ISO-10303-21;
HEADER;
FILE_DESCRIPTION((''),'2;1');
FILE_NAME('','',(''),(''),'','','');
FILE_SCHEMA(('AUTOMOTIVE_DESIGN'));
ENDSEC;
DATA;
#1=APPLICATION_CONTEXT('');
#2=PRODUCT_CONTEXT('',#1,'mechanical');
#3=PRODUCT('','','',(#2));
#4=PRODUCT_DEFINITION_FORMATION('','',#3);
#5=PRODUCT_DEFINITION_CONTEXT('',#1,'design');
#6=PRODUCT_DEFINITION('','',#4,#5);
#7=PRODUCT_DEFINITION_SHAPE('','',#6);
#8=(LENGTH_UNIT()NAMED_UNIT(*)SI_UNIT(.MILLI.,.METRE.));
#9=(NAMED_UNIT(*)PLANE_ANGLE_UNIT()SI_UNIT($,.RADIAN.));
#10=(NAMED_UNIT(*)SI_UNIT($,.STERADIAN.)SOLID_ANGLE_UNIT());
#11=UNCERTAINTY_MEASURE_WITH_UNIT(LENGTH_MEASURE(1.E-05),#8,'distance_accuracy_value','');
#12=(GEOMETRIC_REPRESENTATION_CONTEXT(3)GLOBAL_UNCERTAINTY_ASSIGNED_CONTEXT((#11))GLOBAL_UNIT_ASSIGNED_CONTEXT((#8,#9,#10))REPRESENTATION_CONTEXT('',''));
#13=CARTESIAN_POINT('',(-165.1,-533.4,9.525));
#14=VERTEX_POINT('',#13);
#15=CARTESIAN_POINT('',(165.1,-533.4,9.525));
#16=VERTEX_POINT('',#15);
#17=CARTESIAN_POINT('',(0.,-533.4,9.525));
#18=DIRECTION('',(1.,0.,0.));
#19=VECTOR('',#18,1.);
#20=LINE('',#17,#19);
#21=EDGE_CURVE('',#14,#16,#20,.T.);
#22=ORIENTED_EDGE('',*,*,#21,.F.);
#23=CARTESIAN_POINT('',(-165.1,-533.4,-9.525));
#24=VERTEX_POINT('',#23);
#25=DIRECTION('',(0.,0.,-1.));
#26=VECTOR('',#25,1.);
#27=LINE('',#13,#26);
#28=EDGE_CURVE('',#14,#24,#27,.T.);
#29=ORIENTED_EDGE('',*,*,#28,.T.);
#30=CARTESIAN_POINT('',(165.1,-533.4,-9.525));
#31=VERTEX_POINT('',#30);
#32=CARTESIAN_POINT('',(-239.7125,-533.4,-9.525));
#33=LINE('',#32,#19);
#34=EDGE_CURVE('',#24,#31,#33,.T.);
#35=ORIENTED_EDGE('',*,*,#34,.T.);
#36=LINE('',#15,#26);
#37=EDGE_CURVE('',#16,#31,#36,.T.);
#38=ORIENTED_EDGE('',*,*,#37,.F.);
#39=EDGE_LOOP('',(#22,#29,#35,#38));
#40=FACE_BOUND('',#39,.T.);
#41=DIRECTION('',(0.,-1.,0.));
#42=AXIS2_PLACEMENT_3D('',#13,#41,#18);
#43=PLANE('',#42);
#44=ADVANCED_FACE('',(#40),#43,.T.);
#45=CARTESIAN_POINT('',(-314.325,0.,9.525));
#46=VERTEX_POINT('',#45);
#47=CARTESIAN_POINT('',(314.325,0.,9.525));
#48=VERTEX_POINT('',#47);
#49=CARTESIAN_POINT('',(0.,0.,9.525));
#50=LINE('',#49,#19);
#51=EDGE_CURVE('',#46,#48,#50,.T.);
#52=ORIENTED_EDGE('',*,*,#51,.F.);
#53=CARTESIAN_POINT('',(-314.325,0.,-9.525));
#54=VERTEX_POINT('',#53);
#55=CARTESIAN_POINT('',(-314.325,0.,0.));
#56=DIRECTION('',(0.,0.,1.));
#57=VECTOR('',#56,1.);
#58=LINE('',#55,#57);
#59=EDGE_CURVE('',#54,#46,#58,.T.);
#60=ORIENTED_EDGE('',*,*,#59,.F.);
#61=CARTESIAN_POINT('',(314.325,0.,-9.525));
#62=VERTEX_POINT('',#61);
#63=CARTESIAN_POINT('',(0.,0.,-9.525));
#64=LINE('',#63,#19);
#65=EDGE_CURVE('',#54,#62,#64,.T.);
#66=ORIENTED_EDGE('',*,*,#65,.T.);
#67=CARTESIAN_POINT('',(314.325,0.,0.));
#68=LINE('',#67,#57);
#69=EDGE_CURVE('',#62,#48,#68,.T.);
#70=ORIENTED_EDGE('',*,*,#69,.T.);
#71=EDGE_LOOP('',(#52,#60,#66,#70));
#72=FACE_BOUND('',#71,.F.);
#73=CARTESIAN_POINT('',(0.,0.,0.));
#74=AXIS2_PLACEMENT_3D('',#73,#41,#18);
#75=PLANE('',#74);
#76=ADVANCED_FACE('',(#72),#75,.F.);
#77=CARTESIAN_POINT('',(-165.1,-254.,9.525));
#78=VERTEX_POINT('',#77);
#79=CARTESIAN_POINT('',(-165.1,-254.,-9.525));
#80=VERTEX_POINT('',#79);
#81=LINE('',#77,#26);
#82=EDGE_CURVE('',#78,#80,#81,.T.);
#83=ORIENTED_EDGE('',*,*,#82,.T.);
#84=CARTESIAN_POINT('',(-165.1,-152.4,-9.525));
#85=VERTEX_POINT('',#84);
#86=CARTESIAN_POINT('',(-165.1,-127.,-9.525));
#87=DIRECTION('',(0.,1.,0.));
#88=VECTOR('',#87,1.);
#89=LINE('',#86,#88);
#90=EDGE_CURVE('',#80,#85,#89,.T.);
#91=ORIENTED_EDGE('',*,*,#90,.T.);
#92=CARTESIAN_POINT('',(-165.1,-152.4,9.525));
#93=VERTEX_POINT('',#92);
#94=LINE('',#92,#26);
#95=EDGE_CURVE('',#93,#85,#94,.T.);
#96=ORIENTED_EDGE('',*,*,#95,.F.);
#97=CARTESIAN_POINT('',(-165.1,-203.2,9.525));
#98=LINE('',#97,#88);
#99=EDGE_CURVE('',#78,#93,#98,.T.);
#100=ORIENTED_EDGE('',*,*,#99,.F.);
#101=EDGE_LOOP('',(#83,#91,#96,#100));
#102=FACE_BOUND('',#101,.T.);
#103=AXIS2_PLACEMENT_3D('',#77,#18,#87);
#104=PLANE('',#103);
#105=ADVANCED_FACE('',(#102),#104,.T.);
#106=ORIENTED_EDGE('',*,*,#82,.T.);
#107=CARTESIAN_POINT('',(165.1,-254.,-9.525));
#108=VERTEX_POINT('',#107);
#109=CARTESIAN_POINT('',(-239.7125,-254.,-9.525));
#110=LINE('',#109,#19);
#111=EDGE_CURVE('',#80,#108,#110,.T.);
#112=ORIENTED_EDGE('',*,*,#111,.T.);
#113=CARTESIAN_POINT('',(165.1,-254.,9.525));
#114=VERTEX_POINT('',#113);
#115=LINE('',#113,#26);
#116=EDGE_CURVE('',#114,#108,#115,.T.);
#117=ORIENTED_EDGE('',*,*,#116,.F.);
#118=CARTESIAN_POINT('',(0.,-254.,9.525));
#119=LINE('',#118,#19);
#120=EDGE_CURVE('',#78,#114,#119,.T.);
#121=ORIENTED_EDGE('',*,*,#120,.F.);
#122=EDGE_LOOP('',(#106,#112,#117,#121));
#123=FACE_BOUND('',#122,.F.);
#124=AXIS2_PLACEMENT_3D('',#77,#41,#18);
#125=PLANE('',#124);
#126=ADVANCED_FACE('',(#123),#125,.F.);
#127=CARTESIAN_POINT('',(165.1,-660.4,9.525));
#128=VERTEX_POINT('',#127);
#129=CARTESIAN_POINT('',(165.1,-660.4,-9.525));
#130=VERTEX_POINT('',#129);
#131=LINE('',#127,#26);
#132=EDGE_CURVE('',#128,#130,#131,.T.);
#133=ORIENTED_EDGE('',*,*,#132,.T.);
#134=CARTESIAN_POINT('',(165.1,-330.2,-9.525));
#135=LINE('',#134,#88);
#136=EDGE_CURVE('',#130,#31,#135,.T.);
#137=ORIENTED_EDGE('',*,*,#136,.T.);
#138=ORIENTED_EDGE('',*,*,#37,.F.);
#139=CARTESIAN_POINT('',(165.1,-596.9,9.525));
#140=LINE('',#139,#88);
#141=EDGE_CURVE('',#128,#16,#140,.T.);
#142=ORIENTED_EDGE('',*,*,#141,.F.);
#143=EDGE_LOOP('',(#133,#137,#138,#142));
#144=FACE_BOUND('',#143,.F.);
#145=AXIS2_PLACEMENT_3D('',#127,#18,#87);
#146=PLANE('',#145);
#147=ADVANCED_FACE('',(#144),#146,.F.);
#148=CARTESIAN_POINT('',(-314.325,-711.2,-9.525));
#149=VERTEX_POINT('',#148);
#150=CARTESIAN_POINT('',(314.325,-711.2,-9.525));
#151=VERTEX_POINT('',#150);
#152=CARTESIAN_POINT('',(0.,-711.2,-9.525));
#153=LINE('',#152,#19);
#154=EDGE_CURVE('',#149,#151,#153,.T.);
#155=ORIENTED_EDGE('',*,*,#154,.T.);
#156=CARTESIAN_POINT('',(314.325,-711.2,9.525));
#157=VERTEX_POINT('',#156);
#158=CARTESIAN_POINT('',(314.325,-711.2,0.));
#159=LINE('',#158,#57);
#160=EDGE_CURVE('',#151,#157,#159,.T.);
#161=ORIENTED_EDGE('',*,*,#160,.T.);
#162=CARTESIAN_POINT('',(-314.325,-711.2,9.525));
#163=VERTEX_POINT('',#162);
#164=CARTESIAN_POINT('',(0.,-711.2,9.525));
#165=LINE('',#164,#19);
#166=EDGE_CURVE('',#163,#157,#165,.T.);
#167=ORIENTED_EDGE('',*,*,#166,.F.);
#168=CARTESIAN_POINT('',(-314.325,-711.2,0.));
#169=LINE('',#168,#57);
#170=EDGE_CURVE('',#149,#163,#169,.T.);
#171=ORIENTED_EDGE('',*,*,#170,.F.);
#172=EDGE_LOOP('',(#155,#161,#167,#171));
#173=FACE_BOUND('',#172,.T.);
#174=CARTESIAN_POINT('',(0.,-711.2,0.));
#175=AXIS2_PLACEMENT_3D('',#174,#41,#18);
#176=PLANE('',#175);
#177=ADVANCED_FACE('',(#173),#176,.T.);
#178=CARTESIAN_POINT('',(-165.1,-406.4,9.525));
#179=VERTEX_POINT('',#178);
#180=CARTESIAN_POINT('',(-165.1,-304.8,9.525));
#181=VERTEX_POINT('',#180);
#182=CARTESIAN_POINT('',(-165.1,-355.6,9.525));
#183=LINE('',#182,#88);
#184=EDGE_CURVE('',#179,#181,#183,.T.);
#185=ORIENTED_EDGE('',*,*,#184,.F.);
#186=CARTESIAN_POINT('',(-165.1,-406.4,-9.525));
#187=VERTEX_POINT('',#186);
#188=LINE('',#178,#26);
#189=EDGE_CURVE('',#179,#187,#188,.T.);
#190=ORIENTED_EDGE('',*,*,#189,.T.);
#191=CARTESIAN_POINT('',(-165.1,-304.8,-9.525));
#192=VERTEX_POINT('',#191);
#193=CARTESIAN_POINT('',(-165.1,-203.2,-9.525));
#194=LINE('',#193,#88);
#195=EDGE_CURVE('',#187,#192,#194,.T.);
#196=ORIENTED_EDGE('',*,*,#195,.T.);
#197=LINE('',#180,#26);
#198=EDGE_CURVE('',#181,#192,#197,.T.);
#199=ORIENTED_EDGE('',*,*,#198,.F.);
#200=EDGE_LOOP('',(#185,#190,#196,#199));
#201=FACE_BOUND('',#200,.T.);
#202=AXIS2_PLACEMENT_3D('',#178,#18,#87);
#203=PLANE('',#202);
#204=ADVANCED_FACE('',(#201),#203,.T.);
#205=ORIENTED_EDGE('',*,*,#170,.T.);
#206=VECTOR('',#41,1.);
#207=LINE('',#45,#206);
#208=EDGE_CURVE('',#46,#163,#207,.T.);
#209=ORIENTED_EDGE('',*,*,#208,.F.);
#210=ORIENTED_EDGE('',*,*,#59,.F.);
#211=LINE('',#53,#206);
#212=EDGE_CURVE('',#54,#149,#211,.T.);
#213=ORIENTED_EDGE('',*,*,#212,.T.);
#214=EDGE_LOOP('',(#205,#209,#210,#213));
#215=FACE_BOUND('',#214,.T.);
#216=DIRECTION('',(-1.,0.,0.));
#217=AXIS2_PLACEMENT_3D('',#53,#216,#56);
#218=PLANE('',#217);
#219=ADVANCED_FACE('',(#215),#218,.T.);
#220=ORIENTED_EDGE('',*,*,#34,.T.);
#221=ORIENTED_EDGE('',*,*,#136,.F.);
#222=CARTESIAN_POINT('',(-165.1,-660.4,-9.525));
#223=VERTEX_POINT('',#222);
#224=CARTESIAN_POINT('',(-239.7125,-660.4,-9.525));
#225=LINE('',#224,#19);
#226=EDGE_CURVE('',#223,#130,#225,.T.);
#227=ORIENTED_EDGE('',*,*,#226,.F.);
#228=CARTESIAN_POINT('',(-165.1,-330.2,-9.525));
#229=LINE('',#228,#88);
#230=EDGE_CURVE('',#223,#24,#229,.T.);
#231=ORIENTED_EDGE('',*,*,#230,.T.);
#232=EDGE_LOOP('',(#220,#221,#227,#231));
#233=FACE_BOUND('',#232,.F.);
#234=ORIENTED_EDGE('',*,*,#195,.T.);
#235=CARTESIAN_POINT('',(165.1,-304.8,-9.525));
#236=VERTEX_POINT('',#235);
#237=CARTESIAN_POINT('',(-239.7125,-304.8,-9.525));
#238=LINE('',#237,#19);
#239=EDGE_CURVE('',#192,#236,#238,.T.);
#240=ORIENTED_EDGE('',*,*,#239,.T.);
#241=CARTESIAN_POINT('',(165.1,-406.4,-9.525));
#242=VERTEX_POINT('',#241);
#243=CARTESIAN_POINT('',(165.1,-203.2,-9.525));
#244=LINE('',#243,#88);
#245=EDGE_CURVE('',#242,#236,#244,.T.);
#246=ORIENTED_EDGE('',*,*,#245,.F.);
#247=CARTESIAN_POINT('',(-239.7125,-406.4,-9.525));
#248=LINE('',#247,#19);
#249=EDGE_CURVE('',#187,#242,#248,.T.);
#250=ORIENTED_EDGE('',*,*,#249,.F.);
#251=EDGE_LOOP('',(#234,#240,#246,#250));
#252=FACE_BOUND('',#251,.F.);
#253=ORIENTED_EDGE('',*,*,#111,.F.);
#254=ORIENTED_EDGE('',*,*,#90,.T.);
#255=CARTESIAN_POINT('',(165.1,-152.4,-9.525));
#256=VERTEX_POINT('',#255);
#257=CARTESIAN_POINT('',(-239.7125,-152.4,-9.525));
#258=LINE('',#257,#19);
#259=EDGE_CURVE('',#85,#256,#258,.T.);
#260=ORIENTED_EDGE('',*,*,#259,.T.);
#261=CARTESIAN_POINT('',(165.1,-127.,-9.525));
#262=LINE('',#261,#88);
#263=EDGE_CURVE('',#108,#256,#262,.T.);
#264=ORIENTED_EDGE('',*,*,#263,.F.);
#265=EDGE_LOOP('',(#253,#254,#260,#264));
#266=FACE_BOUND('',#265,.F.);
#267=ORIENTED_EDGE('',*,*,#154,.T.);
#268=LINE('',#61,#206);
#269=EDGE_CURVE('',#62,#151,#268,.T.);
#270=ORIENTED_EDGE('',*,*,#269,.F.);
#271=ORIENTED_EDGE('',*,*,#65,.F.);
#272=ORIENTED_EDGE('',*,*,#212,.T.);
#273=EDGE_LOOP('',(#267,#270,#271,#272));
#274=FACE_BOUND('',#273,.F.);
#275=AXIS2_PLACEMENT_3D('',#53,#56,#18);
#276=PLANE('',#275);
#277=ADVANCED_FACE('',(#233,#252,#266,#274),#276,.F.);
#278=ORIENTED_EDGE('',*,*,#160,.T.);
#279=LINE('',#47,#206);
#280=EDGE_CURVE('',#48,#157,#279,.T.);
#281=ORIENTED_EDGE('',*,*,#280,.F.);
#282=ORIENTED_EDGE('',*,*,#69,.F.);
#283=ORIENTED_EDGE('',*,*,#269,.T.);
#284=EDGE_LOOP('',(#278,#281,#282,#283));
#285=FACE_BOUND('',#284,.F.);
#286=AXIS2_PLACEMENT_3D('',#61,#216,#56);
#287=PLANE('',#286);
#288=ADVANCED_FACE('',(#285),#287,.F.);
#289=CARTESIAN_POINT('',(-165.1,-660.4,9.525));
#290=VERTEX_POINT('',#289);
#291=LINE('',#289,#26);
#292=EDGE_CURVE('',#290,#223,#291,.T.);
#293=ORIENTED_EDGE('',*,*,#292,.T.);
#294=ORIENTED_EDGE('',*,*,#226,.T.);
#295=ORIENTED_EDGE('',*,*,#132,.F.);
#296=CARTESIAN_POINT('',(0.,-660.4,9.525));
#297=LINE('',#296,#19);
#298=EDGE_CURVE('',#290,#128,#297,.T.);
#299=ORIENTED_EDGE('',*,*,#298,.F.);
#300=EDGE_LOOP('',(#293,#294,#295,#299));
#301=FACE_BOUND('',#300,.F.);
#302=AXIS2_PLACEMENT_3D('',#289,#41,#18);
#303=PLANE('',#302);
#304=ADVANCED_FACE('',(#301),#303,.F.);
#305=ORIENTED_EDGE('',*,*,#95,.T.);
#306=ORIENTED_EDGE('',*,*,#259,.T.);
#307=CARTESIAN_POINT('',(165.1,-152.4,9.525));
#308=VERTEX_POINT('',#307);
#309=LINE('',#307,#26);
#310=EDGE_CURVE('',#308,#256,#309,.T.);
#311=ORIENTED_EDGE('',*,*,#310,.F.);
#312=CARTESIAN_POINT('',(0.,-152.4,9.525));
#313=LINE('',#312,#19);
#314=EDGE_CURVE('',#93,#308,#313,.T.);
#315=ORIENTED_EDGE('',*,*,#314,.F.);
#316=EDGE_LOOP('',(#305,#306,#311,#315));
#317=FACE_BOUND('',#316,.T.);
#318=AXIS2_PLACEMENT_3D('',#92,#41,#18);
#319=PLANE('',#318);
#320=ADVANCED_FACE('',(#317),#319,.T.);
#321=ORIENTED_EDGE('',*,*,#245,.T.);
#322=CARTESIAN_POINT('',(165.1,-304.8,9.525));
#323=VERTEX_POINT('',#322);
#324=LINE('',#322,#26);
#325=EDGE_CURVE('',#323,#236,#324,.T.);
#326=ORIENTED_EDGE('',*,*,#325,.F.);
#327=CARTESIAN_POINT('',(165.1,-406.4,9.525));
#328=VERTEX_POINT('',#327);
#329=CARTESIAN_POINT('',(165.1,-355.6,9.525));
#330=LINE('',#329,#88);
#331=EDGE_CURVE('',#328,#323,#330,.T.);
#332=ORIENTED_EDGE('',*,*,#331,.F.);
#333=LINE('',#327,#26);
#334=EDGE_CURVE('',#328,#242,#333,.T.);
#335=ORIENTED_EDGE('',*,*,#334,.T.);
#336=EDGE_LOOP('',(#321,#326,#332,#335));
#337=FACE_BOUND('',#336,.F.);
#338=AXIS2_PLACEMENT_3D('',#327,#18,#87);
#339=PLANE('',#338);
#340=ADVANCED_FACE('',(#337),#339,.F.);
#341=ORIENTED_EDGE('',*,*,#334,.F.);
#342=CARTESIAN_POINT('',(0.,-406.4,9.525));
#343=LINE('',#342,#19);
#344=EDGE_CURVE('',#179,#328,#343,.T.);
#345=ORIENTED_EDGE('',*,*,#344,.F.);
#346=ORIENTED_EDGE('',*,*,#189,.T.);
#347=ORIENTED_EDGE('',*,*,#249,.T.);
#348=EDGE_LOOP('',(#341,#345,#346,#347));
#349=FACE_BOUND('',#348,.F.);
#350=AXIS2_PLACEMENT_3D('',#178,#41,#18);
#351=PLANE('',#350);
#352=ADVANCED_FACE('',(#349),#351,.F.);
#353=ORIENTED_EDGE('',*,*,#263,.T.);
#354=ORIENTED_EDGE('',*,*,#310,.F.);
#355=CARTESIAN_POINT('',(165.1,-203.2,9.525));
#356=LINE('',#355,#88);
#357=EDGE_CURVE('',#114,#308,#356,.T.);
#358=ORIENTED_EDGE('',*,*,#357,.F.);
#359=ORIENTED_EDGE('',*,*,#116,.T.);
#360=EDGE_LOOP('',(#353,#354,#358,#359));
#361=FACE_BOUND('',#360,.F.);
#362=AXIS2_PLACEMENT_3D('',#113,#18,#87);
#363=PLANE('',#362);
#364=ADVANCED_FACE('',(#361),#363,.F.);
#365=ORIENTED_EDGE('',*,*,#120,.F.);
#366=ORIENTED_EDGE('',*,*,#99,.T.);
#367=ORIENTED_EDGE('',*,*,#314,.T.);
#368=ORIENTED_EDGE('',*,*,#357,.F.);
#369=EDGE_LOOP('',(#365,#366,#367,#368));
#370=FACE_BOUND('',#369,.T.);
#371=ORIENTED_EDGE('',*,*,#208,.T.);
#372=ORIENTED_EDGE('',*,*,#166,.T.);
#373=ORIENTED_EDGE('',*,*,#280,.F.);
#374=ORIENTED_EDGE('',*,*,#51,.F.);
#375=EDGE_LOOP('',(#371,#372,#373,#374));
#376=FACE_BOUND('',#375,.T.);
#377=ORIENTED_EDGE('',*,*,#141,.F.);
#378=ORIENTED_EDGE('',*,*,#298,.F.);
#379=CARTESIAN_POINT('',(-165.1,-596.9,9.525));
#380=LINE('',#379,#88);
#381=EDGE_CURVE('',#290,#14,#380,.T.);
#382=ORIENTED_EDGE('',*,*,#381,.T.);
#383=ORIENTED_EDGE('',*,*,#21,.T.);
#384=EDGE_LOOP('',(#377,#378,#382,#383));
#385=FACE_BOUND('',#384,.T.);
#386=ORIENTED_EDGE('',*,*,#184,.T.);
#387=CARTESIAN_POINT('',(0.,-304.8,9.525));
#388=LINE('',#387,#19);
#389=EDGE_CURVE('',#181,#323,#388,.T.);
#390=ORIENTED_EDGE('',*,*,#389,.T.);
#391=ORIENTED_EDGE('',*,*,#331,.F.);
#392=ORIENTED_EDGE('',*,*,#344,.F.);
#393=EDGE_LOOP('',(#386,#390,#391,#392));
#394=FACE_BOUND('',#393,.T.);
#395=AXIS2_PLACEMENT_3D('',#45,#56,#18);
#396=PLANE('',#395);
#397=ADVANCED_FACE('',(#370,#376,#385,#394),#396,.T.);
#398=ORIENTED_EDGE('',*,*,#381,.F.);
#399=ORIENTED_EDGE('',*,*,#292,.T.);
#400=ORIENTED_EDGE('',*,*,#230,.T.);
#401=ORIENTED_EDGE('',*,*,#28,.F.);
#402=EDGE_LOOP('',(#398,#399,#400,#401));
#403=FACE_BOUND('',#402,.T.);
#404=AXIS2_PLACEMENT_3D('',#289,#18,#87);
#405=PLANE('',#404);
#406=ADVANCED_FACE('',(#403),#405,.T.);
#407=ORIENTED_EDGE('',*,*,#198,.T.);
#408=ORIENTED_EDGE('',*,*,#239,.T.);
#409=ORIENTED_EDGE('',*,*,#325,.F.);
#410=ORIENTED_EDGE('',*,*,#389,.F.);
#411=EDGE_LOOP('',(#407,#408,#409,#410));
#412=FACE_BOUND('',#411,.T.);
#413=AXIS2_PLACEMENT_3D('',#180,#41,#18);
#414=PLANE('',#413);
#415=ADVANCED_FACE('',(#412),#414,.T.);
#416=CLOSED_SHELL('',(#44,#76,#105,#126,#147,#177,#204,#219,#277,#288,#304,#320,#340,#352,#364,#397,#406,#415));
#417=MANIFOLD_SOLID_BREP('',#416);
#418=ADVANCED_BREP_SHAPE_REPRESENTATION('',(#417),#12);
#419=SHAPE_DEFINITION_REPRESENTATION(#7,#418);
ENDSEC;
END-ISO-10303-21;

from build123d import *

# Parameters (mm, degrees)
F0_W     = 628.65
F0_H     = 19.05
F1_DEPTH = 711.2
F2_W     = 330.2
F2_H     = 101.6
F2_H_2   = 127
F3_DEPTH = 25.4


with BuildPart() as f1:
    # F0 (on Front) → F1 (new body)
    with BuildSketch(Plane.XZ):
        Rectangle(F0_W, F0_H)
    extrude(amount=F1_DEPTH)

    # F2 (on face) → F3 (cut)
    with BuildSketch(Plane.XY.offset(9.525)):
        with Locations((0, -203.2)):
            Rectangle(F2_W, F2_H)
        with Locations((0, -355.6)):
            Rectangle(F2_W, F2_H)
        with Locations((0, -596.9)):
            Rectangle(F2_W, F2_H_2)
    extrude(amount=-F3_DEPTH, mode=Mode.SUBTRACT)


solid = f1.part
